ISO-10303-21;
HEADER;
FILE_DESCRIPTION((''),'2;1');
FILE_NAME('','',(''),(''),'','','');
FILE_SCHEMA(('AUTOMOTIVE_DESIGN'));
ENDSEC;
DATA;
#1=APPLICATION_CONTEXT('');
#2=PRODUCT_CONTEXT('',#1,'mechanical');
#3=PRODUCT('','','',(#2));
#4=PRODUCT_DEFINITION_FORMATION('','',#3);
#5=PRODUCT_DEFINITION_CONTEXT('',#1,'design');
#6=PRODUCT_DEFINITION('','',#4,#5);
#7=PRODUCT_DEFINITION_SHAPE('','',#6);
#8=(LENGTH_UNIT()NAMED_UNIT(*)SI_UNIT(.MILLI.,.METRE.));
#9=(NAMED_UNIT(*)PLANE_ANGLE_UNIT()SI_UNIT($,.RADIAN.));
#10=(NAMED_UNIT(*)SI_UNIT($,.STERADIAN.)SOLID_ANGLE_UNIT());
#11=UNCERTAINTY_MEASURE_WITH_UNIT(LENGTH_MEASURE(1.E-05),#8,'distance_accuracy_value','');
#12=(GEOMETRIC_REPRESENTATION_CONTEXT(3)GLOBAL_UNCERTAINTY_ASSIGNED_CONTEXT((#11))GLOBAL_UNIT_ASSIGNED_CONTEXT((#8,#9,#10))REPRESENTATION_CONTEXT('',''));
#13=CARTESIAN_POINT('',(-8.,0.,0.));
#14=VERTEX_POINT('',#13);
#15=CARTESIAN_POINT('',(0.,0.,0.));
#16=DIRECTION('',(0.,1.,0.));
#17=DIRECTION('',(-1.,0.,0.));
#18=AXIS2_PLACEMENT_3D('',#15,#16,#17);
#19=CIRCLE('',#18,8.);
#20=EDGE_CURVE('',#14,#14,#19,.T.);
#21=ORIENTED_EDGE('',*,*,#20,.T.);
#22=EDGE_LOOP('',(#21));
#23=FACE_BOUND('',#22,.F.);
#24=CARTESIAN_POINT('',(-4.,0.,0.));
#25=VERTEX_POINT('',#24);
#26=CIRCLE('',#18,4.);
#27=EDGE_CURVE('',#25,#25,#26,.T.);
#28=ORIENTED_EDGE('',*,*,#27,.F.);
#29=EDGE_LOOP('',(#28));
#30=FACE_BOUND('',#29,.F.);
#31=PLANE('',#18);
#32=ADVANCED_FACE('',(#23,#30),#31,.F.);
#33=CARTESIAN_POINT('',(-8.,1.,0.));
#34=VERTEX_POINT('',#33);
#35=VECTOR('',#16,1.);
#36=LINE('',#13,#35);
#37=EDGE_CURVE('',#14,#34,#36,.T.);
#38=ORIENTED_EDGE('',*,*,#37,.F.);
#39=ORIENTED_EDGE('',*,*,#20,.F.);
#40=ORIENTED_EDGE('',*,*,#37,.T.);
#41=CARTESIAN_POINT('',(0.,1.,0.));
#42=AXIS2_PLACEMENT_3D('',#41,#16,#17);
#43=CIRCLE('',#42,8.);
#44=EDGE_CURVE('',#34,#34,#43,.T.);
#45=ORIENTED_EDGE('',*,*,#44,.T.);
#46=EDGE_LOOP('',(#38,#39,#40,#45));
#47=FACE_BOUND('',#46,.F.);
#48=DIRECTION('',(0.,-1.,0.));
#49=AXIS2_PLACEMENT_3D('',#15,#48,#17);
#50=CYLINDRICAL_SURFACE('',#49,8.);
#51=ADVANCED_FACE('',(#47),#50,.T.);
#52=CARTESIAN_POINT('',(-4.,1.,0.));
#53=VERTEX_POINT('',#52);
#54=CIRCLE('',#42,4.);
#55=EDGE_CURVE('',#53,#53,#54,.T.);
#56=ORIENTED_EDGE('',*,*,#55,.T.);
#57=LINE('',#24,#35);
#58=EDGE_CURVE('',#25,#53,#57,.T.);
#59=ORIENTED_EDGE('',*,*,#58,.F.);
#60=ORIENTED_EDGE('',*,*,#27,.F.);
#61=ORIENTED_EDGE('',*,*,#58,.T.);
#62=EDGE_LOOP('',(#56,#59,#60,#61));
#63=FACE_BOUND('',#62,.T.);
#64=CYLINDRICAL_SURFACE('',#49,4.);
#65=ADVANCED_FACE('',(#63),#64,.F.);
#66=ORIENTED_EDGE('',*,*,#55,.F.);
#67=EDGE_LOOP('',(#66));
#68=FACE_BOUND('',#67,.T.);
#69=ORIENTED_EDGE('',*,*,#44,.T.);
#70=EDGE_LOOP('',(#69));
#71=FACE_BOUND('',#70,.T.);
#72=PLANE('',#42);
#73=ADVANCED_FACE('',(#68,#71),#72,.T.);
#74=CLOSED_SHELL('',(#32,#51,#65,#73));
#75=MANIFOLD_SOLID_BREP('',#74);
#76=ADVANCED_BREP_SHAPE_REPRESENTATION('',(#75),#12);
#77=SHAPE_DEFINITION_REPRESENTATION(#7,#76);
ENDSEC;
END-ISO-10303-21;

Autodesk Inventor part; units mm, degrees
ref_plane "YZ Plane" through (0, 0, 0) normal (1, 0, 0) x (0, 1, 0)
ref_plane "XZ Plane" through (0, 0, 0) normal (0, 1, 0) x (-1, 0, 0)
ref_plane "XY Plane" through (0, 0, 0) normal (0, 0, 1) x (1, 0, 0)
sketch "Sketch1" plane through (0, 0, 0) normal (0, 1, 0) x (-1, 0, 0)
  circle A0 centre (0, 0) radius 4
  circle A1 centre (0, 0) radius 8
  dimension "d0" = 8
  dimension "d1" = 16
extrude "Extrusion1" add sketch "Sketch1" along normal blind 1
properties part number "M8Washer"
